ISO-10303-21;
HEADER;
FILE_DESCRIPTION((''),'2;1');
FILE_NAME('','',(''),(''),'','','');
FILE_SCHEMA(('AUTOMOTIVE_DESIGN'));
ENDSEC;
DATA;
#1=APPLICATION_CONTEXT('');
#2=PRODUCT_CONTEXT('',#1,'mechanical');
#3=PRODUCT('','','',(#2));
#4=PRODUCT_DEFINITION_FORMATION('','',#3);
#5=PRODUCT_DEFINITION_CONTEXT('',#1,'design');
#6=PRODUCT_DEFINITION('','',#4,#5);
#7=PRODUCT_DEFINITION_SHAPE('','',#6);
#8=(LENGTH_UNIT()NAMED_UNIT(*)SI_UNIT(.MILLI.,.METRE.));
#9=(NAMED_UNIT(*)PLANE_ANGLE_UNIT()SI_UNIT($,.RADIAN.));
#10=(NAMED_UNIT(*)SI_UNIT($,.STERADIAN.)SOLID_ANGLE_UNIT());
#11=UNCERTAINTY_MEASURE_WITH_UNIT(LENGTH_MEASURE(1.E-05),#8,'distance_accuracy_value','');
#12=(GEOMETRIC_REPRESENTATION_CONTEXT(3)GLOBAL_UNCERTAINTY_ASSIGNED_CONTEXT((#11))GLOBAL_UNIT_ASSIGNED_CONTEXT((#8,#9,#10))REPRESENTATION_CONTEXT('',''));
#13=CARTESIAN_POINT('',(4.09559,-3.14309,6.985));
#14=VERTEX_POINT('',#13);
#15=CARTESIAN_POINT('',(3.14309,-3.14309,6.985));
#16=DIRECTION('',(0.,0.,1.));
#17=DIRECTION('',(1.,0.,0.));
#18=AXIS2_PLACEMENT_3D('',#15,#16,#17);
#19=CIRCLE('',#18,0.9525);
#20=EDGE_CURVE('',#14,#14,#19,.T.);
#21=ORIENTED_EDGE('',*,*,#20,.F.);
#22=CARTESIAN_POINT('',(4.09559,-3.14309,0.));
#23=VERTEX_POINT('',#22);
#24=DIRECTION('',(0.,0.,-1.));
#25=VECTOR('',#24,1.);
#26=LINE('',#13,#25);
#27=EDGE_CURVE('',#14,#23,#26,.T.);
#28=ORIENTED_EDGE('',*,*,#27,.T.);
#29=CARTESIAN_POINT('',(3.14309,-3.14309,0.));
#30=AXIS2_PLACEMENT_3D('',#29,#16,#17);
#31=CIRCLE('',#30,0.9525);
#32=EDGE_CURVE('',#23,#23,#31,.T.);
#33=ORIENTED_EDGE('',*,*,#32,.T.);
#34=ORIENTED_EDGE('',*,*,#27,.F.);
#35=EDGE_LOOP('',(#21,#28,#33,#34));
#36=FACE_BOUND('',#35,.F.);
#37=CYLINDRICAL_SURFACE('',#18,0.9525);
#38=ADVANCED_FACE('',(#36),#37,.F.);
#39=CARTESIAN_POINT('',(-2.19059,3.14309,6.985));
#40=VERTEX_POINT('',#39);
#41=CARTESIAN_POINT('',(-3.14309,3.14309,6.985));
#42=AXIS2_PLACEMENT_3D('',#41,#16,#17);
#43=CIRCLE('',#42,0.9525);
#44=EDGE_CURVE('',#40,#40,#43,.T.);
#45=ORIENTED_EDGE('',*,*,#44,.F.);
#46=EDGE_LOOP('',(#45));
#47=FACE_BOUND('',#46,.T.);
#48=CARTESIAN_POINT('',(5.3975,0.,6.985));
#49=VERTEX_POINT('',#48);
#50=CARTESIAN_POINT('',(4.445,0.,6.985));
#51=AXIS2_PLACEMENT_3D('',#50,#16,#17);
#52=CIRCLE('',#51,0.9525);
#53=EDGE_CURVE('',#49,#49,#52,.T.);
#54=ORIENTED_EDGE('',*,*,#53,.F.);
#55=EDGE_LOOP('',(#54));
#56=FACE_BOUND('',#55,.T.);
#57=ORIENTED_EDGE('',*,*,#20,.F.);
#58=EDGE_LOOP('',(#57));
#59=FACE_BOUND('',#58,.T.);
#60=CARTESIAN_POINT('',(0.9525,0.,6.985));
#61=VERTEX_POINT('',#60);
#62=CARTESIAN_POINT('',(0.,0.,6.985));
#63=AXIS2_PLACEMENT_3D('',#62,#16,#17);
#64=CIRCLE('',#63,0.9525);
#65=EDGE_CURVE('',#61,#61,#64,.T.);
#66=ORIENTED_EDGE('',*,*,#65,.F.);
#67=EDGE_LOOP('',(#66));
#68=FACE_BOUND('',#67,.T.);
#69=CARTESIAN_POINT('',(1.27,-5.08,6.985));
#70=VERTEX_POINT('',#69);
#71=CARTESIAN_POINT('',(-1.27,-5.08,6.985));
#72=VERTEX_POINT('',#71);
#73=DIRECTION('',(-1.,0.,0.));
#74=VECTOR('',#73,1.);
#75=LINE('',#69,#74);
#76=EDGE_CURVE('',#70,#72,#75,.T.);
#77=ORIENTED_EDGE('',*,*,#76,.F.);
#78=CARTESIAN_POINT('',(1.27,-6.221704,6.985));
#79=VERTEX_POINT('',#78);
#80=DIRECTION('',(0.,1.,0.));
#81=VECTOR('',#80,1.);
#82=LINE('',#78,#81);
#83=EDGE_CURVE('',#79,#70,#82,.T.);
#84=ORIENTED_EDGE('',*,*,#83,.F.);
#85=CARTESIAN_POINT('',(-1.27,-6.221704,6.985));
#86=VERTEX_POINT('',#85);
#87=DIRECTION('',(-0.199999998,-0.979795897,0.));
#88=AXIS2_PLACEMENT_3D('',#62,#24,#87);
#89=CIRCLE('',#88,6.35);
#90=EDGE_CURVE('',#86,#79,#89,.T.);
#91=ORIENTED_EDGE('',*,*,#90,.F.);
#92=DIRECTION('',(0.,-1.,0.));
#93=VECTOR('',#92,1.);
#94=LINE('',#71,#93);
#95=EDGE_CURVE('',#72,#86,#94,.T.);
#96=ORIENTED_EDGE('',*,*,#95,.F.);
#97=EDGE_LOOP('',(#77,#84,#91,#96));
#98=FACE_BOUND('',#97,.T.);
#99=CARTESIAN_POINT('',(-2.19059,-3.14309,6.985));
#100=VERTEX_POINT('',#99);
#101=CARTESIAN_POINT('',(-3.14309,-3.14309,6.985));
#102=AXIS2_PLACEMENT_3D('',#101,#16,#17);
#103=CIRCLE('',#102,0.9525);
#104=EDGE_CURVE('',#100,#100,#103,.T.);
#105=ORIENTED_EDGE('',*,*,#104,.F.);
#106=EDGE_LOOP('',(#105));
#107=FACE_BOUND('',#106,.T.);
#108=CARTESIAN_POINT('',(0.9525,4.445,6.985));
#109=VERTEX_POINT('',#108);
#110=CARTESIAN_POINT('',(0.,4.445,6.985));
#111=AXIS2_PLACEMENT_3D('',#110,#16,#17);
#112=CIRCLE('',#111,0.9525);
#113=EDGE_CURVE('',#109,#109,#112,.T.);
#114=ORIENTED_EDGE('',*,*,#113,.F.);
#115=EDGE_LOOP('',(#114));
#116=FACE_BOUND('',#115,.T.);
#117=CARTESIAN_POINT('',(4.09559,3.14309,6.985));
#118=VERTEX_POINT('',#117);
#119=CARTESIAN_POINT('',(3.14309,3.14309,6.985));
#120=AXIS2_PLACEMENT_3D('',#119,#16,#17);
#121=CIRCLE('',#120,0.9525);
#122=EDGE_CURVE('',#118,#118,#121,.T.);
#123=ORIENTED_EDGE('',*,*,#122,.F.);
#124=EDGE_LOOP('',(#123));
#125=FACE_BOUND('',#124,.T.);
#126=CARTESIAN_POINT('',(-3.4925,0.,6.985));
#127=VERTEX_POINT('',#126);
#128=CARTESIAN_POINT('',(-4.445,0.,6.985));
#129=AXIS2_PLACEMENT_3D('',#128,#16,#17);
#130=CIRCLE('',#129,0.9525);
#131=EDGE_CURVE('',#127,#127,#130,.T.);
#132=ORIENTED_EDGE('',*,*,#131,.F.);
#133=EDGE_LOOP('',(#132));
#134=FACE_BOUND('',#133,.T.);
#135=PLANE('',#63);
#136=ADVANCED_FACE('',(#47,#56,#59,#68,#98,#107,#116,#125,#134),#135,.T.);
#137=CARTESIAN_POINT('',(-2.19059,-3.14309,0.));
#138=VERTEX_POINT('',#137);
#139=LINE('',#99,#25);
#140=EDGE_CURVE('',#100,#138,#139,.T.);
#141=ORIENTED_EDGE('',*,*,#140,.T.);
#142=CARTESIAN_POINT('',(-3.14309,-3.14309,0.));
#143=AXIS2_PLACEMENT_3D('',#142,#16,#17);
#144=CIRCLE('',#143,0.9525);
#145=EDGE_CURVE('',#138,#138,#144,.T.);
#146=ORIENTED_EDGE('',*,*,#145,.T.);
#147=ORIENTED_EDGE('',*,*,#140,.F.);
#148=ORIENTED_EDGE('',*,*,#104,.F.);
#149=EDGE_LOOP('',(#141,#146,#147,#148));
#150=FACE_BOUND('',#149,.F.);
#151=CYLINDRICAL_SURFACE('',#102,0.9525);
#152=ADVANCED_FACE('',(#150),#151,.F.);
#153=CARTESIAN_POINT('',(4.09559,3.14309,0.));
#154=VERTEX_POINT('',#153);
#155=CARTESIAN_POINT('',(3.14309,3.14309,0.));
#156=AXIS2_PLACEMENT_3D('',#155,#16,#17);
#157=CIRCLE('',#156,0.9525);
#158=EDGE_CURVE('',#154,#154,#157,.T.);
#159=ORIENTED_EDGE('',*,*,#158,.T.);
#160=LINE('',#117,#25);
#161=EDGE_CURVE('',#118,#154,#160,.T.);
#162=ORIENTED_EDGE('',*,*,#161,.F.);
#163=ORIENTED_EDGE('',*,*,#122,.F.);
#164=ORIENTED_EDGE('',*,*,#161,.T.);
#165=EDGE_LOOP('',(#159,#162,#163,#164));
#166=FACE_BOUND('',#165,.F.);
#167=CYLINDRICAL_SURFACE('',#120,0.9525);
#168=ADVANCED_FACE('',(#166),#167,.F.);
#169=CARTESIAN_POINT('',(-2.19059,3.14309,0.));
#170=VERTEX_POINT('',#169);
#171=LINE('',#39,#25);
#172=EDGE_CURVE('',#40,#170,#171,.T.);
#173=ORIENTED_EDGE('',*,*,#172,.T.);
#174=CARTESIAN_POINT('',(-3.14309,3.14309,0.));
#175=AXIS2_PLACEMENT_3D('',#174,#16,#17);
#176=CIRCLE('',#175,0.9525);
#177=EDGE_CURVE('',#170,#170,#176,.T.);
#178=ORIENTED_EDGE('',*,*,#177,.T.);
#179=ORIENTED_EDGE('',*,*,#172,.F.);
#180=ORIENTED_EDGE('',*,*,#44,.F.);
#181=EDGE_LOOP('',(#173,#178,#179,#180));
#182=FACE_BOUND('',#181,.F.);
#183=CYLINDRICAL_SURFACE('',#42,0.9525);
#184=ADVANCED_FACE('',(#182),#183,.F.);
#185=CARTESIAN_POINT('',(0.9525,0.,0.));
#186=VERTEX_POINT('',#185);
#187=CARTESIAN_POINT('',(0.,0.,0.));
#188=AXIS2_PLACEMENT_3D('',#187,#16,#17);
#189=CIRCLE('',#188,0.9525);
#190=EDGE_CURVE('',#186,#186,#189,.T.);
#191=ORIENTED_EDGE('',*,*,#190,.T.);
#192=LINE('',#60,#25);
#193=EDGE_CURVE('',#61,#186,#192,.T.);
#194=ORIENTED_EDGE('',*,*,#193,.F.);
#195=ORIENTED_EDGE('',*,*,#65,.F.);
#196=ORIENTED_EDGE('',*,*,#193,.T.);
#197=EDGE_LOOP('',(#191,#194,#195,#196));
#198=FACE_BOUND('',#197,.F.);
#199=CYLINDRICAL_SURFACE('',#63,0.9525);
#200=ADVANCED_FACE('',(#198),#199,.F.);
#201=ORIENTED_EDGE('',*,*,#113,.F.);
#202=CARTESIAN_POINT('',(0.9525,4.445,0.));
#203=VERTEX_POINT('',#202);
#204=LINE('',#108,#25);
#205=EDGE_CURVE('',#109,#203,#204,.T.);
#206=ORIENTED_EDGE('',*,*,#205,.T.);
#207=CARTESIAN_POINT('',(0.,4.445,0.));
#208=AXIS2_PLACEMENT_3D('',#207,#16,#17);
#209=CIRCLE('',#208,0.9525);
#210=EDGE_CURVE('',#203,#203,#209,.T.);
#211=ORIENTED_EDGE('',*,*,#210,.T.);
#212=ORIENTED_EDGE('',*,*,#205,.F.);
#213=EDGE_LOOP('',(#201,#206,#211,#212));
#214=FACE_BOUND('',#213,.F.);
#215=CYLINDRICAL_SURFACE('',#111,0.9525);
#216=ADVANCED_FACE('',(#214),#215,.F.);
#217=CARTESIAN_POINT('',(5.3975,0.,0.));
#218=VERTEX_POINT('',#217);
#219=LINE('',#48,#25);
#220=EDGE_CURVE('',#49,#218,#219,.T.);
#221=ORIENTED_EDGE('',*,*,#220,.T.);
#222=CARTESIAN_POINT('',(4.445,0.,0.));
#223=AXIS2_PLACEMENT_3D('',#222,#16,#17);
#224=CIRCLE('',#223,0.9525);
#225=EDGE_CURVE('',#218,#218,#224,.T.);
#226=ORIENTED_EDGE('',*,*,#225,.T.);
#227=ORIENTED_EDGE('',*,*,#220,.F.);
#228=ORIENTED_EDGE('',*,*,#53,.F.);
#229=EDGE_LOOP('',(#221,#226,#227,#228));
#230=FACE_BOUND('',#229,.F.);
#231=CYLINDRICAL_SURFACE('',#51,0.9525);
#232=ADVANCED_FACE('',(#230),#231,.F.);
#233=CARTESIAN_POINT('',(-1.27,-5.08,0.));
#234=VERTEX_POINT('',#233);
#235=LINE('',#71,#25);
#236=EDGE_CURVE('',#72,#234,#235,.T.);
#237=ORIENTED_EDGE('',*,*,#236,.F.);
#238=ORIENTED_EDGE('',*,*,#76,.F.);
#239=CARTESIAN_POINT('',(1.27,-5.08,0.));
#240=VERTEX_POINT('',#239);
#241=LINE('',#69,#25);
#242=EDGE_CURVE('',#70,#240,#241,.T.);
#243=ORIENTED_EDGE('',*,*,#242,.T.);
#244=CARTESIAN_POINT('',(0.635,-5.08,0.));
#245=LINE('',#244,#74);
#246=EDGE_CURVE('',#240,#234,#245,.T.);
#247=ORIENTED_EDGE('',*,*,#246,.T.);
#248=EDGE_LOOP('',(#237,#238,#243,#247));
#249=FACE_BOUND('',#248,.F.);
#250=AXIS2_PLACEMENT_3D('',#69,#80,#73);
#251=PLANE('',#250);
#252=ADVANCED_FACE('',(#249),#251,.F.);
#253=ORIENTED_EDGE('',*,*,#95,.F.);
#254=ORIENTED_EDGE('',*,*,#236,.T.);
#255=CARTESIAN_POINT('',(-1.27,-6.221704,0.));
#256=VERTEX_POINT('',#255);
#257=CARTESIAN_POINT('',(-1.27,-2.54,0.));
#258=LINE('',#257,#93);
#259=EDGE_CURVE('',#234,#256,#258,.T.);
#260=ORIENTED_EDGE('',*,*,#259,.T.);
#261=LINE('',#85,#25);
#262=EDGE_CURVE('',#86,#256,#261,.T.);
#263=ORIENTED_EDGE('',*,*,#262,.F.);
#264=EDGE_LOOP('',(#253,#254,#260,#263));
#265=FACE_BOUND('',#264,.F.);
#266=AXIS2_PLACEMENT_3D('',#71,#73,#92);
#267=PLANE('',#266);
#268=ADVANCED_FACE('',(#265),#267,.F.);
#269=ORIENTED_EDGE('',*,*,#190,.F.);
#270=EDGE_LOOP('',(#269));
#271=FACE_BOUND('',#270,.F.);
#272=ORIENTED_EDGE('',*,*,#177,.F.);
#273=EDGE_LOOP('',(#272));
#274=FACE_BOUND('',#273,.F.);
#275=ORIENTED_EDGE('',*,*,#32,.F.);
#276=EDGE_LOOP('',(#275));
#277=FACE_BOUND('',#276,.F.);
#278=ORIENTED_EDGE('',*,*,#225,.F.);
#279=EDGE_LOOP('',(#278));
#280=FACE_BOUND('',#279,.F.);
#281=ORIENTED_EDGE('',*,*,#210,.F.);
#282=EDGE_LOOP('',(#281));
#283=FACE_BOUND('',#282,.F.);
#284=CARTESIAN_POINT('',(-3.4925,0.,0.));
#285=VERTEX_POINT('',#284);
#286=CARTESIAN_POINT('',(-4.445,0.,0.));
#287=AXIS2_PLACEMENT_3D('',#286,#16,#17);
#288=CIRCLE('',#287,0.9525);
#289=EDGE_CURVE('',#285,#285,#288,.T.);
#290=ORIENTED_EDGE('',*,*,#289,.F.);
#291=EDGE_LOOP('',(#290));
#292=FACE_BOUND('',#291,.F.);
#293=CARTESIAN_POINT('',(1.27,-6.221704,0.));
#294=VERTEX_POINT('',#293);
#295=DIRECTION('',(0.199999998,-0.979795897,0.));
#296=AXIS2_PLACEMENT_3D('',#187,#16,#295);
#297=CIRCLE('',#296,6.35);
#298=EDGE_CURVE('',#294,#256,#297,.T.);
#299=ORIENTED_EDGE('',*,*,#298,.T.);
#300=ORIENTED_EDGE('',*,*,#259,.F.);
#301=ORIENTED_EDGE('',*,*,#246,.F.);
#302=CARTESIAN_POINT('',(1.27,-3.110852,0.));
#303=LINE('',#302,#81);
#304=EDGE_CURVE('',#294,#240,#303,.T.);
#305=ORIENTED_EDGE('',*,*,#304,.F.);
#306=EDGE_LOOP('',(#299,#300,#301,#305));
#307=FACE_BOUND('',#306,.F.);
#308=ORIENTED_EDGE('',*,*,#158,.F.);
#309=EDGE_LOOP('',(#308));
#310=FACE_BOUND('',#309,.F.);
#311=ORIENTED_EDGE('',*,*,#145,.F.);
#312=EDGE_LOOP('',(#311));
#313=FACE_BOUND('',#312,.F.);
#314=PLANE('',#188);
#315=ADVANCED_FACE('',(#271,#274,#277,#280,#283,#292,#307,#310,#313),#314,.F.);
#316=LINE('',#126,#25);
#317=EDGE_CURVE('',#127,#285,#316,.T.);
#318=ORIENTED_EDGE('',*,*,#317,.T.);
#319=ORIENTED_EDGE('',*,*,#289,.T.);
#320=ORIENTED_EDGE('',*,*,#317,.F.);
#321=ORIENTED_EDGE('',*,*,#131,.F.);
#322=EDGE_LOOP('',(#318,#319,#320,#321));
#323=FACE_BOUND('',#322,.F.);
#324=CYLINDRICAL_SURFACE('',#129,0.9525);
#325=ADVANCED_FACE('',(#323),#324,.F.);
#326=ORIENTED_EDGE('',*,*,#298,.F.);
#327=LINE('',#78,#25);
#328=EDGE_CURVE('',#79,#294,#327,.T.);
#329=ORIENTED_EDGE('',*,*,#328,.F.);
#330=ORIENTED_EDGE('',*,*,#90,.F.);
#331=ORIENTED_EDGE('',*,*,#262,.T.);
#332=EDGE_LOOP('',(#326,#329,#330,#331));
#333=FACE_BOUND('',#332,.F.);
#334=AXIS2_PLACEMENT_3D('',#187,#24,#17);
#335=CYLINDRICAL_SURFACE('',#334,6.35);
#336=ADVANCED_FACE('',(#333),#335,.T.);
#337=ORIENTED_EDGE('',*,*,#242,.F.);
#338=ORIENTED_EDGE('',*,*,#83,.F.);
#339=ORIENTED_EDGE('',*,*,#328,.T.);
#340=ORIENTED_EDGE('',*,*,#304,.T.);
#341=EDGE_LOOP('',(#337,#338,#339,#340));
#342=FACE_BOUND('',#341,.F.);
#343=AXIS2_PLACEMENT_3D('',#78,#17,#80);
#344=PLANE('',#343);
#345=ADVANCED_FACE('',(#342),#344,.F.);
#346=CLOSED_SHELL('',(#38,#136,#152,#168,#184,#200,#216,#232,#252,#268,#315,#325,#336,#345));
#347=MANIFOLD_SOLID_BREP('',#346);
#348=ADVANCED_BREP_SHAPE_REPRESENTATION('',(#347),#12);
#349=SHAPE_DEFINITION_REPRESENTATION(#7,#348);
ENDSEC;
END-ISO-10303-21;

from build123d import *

# Parameters (mm, degrees)
F0_R     = 6.35
F1_DEPTH = 6.985
F2_R     = 0.9525
F3_DEPTH = 6.986
F5_DEPTH = 6.986


with BuildPart() as f1:
    # F0 (on Top) → F1 (new body)
    with BuildSketch(Plane.XY):
        Circle(F0_R)
    extrude(amount=F1_DEPTH)

    # F2 (on face) → F3 (cut, through all)
    with BuildSketch(Plane.XY.offset(6.985)):
        with Locations((0, 4.445)):
            Circle(F2_R)
        with Locations((3.14309, 3.14309)):
            Circle(F2_R)
        with Locations((3.14309, -3.14309)):
            Circle(F2_R)
        with Locations((-3.14309, 3.14309)):
            Circle(F2_R)
        with Locations((-3.14309, -3.14309)):
            Circle(F2_R)
        with Locations((-4.445, 0)):
            Circle(F2_R)
        with Locations((4.445, 0)):
            Circle(F2_R)
        Circle(F2_R)
    extrude(amount=-F3_DEPTH, mode=Mode.SUBTRACT)

    # F4 (on face) → F5 (cut, through all)
    with BuildSketch(Plane.XY.offset(6.985)):
        with BuildLine():
            Line((-1.27, -5.08), (-1.27, -6.221704))
            ThreePointArc((-1.27, -6.221704), (0, -6.35), (1.27, -6.221704))
            Line((1.27, -6.221704), (1.27, -5.08))
            Line((1.27, -5.08), (-1.27, -5.08))
        make_face()
    extrude(amount=-F5_DEPTH, mode=Mode.SUBTRACT)


solid = f1.part
